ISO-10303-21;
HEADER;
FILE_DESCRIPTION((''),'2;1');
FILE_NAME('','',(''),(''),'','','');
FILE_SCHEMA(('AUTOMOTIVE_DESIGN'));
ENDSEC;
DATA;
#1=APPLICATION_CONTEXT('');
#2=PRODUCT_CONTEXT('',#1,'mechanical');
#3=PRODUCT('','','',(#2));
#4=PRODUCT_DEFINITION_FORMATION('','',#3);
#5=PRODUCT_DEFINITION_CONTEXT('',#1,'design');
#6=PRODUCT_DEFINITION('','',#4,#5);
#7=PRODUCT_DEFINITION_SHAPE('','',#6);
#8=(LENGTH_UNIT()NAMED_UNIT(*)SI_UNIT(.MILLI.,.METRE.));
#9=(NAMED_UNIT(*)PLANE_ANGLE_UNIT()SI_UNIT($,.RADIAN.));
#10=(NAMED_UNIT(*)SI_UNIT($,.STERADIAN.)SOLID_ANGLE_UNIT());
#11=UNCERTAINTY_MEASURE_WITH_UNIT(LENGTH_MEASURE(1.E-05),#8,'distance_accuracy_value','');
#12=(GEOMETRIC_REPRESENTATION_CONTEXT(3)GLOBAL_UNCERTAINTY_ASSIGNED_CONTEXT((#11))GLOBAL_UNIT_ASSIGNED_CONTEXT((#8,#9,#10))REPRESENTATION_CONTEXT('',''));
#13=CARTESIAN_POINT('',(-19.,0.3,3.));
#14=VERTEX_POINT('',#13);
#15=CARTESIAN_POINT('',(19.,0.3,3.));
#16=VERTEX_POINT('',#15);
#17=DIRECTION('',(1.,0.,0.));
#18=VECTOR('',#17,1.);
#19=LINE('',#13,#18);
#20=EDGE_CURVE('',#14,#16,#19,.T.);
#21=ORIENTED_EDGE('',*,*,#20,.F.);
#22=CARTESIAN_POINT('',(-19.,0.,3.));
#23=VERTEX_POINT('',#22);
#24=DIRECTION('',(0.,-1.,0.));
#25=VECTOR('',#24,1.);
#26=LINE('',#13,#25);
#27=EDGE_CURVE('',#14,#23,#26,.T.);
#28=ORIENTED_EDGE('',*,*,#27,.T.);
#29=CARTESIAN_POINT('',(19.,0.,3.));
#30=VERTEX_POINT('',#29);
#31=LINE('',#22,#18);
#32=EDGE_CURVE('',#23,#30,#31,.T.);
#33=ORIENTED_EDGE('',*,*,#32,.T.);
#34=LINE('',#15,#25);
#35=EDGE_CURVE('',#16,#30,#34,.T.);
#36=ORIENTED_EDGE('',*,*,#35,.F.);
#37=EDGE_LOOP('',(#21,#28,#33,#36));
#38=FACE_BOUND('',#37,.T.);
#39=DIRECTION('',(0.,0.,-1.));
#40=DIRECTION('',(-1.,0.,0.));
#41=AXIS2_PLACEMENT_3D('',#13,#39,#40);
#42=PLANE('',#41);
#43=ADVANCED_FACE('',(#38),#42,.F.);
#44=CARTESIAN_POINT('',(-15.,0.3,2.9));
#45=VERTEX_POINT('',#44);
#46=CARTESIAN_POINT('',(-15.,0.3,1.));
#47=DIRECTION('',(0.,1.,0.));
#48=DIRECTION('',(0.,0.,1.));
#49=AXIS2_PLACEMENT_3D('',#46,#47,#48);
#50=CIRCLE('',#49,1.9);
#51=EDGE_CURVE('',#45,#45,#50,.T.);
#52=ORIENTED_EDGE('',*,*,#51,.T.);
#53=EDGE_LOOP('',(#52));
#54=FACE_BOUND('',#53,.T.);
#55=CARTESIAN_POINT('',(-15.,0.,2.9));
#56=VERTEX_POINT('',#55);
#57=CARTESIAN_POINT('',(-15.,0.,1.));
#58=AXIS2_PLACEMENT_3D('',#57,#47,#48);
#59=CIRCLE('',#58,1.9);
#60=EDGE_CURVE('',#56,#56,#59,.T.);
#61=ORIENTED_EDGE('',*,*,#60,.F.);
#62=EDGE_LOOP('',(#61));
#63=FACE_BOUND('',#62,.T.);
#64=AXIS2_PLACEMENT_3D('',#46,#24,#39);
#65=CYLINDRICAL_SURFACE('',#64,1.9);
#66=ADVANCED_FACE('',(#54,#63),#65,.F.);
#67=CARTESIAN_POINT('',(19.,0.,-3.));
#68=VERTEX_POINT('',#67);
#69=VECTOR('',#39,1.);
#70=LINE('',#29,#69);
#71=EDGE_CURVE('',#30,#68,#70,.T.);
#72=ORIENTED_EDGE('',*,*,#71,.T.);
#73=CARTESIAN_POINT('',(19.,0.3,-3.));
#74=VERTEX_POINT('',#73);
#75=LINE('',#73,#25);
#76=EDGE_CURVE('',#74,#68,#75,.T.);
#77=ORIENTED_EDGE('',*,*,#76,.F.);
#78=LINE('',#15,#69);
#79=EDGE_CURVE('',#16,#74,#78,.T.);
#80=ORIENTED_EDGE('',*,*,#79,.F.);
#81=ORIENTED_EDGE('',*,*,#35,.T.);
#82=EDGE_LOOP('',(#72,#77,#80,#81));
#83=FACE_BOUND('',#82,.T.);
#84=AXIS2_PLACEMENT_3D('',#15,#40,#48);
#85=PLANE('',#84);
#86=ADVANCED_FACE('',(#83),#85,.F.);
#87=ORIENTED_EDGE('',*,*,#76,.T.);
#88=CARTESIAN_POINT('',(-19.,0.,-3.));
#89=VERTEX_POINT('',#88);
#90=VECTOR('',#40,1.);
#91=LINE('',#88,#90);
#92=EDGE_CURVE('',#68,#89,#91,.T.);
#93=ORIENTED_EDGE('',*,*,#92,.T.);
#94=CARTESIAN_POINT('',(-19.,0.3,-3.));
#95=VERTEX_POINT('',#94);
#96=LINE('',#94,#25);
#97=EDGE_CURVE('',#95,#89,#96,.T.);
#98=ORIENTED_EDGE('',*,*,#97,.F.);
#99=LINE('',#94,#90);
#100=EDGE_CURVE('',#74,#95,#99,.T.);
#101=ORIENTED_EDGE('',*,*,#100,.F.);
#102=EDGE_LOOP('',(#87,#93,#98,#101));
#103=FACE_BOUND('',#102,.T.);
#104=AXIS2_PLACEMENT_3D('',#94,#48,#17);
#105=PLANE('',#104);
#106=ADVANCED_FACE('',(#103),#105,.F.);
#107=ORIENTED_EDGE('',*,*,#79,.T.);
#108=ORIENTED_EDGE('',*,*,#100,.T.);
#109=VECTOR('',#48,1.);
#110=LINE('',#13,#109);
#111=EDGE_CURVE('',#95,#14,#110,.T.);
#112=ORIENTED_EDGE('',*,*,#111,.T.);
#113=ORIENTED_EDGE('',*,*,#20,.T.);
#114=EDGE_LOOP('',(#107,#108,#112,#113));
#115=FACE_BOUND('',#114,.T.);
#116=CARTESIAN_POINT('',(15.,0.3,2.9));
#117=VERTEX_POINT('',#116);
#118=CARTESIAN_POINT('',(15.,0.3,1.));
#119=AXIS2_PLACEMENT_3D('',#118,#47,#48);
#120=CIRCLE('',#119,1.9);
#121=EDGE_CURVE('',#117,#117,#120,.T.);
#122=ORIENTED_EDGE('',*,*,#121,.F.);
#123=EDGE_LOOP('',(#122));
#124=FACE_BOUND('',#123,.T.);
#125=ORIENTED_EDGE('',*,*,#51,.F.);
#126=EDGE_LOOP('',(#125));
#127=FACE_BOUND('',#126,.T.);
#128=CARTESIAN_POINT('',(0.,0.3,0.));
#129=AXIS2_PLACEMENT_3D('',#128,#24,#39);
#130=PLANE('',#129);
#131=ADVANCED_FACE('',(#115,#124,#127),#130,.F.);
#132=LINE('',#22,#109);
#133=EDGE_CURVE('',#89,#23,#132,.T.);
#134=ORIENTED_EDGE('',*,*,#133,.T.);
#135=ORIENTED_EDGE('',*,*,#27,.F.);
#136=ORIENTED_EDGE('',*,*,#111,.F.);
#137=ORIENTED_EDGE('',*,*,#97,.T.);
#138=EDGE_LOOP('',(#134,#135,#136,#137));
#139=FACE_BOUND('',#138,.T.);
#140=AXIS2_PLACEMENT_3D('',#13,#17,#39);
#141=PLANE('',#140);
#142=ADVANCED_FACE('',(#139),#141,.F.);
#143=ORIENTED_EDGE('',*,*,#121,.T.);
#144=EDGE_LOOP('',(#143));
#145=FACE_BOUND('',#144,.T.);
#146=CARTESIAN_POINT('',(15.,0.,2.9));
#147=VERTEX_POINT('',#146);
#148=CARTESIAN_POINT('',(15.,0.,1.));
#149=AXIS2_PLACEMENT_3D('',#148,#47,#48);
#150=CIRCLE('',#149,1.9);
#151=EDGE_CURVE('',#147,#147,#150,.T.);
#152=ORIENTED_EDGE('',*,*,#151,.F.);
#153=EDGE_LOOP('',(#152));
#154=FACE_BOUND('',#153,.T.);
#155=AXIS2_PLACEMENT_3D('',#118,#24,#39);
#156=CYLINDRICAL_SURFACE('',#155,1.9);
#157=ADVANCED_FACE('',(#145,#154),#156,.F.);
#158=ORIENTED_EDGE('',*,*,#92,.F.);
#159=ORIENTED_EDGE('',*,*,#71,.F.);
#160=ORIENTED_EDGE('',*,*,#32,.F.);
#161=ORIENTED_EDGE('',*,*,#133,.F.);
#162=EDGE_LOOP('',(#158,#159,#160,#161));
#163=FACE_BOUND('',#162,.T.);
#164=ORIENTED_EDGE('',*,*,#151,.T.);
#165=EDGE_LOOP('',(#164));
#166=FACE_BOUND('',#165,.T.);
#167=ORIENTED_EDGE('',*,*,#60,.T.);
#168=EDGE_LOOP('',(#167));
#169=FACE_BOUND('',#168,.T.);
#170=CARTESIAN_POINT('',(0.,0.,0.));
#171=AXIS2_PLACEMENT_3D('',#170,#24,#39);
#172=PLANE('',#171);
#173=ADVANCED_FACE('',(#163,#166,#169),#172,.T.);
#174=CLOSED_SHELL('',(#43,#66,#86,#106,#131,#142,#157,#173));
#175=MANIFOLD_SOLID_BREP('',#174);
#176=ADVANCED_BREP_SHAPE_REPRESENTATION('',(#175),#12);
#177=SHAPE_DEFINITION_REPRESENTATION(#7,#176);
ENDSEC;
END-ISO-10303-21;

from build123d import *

# Parameters (mm, degrees)
SKETCH1_W           = 38
SKETCH1_H           = 6
SKETCH1_R           = 1.9
BOSS_EXTRUDE2_DEPTH = 0.3


with BuildPart() as part:
    # Sketch1 → Boss-Extrude2 (new body)
    with BuildSketch(Plane(origin=(0, 0, 0), x_dir=(1, 0, 0), z_dir=(0, 1, 0))):
        Rectangle(SKETCH1_W, SKETCH1_H)
        with Locations(Location((-15, -1, 0), (0, 0, 270))):
            Circle(SKETCH1_R, mode=Mode.SUBTRACT)
        with Locations(Location((15, -1, 0), (0, 0, 270))):
            Circle(SKETCH1_R, mode=Mode.SUBTRACT)
    extrude(amount=BOSS_EXTRUDE2_DEPTH)


solid = part.part
